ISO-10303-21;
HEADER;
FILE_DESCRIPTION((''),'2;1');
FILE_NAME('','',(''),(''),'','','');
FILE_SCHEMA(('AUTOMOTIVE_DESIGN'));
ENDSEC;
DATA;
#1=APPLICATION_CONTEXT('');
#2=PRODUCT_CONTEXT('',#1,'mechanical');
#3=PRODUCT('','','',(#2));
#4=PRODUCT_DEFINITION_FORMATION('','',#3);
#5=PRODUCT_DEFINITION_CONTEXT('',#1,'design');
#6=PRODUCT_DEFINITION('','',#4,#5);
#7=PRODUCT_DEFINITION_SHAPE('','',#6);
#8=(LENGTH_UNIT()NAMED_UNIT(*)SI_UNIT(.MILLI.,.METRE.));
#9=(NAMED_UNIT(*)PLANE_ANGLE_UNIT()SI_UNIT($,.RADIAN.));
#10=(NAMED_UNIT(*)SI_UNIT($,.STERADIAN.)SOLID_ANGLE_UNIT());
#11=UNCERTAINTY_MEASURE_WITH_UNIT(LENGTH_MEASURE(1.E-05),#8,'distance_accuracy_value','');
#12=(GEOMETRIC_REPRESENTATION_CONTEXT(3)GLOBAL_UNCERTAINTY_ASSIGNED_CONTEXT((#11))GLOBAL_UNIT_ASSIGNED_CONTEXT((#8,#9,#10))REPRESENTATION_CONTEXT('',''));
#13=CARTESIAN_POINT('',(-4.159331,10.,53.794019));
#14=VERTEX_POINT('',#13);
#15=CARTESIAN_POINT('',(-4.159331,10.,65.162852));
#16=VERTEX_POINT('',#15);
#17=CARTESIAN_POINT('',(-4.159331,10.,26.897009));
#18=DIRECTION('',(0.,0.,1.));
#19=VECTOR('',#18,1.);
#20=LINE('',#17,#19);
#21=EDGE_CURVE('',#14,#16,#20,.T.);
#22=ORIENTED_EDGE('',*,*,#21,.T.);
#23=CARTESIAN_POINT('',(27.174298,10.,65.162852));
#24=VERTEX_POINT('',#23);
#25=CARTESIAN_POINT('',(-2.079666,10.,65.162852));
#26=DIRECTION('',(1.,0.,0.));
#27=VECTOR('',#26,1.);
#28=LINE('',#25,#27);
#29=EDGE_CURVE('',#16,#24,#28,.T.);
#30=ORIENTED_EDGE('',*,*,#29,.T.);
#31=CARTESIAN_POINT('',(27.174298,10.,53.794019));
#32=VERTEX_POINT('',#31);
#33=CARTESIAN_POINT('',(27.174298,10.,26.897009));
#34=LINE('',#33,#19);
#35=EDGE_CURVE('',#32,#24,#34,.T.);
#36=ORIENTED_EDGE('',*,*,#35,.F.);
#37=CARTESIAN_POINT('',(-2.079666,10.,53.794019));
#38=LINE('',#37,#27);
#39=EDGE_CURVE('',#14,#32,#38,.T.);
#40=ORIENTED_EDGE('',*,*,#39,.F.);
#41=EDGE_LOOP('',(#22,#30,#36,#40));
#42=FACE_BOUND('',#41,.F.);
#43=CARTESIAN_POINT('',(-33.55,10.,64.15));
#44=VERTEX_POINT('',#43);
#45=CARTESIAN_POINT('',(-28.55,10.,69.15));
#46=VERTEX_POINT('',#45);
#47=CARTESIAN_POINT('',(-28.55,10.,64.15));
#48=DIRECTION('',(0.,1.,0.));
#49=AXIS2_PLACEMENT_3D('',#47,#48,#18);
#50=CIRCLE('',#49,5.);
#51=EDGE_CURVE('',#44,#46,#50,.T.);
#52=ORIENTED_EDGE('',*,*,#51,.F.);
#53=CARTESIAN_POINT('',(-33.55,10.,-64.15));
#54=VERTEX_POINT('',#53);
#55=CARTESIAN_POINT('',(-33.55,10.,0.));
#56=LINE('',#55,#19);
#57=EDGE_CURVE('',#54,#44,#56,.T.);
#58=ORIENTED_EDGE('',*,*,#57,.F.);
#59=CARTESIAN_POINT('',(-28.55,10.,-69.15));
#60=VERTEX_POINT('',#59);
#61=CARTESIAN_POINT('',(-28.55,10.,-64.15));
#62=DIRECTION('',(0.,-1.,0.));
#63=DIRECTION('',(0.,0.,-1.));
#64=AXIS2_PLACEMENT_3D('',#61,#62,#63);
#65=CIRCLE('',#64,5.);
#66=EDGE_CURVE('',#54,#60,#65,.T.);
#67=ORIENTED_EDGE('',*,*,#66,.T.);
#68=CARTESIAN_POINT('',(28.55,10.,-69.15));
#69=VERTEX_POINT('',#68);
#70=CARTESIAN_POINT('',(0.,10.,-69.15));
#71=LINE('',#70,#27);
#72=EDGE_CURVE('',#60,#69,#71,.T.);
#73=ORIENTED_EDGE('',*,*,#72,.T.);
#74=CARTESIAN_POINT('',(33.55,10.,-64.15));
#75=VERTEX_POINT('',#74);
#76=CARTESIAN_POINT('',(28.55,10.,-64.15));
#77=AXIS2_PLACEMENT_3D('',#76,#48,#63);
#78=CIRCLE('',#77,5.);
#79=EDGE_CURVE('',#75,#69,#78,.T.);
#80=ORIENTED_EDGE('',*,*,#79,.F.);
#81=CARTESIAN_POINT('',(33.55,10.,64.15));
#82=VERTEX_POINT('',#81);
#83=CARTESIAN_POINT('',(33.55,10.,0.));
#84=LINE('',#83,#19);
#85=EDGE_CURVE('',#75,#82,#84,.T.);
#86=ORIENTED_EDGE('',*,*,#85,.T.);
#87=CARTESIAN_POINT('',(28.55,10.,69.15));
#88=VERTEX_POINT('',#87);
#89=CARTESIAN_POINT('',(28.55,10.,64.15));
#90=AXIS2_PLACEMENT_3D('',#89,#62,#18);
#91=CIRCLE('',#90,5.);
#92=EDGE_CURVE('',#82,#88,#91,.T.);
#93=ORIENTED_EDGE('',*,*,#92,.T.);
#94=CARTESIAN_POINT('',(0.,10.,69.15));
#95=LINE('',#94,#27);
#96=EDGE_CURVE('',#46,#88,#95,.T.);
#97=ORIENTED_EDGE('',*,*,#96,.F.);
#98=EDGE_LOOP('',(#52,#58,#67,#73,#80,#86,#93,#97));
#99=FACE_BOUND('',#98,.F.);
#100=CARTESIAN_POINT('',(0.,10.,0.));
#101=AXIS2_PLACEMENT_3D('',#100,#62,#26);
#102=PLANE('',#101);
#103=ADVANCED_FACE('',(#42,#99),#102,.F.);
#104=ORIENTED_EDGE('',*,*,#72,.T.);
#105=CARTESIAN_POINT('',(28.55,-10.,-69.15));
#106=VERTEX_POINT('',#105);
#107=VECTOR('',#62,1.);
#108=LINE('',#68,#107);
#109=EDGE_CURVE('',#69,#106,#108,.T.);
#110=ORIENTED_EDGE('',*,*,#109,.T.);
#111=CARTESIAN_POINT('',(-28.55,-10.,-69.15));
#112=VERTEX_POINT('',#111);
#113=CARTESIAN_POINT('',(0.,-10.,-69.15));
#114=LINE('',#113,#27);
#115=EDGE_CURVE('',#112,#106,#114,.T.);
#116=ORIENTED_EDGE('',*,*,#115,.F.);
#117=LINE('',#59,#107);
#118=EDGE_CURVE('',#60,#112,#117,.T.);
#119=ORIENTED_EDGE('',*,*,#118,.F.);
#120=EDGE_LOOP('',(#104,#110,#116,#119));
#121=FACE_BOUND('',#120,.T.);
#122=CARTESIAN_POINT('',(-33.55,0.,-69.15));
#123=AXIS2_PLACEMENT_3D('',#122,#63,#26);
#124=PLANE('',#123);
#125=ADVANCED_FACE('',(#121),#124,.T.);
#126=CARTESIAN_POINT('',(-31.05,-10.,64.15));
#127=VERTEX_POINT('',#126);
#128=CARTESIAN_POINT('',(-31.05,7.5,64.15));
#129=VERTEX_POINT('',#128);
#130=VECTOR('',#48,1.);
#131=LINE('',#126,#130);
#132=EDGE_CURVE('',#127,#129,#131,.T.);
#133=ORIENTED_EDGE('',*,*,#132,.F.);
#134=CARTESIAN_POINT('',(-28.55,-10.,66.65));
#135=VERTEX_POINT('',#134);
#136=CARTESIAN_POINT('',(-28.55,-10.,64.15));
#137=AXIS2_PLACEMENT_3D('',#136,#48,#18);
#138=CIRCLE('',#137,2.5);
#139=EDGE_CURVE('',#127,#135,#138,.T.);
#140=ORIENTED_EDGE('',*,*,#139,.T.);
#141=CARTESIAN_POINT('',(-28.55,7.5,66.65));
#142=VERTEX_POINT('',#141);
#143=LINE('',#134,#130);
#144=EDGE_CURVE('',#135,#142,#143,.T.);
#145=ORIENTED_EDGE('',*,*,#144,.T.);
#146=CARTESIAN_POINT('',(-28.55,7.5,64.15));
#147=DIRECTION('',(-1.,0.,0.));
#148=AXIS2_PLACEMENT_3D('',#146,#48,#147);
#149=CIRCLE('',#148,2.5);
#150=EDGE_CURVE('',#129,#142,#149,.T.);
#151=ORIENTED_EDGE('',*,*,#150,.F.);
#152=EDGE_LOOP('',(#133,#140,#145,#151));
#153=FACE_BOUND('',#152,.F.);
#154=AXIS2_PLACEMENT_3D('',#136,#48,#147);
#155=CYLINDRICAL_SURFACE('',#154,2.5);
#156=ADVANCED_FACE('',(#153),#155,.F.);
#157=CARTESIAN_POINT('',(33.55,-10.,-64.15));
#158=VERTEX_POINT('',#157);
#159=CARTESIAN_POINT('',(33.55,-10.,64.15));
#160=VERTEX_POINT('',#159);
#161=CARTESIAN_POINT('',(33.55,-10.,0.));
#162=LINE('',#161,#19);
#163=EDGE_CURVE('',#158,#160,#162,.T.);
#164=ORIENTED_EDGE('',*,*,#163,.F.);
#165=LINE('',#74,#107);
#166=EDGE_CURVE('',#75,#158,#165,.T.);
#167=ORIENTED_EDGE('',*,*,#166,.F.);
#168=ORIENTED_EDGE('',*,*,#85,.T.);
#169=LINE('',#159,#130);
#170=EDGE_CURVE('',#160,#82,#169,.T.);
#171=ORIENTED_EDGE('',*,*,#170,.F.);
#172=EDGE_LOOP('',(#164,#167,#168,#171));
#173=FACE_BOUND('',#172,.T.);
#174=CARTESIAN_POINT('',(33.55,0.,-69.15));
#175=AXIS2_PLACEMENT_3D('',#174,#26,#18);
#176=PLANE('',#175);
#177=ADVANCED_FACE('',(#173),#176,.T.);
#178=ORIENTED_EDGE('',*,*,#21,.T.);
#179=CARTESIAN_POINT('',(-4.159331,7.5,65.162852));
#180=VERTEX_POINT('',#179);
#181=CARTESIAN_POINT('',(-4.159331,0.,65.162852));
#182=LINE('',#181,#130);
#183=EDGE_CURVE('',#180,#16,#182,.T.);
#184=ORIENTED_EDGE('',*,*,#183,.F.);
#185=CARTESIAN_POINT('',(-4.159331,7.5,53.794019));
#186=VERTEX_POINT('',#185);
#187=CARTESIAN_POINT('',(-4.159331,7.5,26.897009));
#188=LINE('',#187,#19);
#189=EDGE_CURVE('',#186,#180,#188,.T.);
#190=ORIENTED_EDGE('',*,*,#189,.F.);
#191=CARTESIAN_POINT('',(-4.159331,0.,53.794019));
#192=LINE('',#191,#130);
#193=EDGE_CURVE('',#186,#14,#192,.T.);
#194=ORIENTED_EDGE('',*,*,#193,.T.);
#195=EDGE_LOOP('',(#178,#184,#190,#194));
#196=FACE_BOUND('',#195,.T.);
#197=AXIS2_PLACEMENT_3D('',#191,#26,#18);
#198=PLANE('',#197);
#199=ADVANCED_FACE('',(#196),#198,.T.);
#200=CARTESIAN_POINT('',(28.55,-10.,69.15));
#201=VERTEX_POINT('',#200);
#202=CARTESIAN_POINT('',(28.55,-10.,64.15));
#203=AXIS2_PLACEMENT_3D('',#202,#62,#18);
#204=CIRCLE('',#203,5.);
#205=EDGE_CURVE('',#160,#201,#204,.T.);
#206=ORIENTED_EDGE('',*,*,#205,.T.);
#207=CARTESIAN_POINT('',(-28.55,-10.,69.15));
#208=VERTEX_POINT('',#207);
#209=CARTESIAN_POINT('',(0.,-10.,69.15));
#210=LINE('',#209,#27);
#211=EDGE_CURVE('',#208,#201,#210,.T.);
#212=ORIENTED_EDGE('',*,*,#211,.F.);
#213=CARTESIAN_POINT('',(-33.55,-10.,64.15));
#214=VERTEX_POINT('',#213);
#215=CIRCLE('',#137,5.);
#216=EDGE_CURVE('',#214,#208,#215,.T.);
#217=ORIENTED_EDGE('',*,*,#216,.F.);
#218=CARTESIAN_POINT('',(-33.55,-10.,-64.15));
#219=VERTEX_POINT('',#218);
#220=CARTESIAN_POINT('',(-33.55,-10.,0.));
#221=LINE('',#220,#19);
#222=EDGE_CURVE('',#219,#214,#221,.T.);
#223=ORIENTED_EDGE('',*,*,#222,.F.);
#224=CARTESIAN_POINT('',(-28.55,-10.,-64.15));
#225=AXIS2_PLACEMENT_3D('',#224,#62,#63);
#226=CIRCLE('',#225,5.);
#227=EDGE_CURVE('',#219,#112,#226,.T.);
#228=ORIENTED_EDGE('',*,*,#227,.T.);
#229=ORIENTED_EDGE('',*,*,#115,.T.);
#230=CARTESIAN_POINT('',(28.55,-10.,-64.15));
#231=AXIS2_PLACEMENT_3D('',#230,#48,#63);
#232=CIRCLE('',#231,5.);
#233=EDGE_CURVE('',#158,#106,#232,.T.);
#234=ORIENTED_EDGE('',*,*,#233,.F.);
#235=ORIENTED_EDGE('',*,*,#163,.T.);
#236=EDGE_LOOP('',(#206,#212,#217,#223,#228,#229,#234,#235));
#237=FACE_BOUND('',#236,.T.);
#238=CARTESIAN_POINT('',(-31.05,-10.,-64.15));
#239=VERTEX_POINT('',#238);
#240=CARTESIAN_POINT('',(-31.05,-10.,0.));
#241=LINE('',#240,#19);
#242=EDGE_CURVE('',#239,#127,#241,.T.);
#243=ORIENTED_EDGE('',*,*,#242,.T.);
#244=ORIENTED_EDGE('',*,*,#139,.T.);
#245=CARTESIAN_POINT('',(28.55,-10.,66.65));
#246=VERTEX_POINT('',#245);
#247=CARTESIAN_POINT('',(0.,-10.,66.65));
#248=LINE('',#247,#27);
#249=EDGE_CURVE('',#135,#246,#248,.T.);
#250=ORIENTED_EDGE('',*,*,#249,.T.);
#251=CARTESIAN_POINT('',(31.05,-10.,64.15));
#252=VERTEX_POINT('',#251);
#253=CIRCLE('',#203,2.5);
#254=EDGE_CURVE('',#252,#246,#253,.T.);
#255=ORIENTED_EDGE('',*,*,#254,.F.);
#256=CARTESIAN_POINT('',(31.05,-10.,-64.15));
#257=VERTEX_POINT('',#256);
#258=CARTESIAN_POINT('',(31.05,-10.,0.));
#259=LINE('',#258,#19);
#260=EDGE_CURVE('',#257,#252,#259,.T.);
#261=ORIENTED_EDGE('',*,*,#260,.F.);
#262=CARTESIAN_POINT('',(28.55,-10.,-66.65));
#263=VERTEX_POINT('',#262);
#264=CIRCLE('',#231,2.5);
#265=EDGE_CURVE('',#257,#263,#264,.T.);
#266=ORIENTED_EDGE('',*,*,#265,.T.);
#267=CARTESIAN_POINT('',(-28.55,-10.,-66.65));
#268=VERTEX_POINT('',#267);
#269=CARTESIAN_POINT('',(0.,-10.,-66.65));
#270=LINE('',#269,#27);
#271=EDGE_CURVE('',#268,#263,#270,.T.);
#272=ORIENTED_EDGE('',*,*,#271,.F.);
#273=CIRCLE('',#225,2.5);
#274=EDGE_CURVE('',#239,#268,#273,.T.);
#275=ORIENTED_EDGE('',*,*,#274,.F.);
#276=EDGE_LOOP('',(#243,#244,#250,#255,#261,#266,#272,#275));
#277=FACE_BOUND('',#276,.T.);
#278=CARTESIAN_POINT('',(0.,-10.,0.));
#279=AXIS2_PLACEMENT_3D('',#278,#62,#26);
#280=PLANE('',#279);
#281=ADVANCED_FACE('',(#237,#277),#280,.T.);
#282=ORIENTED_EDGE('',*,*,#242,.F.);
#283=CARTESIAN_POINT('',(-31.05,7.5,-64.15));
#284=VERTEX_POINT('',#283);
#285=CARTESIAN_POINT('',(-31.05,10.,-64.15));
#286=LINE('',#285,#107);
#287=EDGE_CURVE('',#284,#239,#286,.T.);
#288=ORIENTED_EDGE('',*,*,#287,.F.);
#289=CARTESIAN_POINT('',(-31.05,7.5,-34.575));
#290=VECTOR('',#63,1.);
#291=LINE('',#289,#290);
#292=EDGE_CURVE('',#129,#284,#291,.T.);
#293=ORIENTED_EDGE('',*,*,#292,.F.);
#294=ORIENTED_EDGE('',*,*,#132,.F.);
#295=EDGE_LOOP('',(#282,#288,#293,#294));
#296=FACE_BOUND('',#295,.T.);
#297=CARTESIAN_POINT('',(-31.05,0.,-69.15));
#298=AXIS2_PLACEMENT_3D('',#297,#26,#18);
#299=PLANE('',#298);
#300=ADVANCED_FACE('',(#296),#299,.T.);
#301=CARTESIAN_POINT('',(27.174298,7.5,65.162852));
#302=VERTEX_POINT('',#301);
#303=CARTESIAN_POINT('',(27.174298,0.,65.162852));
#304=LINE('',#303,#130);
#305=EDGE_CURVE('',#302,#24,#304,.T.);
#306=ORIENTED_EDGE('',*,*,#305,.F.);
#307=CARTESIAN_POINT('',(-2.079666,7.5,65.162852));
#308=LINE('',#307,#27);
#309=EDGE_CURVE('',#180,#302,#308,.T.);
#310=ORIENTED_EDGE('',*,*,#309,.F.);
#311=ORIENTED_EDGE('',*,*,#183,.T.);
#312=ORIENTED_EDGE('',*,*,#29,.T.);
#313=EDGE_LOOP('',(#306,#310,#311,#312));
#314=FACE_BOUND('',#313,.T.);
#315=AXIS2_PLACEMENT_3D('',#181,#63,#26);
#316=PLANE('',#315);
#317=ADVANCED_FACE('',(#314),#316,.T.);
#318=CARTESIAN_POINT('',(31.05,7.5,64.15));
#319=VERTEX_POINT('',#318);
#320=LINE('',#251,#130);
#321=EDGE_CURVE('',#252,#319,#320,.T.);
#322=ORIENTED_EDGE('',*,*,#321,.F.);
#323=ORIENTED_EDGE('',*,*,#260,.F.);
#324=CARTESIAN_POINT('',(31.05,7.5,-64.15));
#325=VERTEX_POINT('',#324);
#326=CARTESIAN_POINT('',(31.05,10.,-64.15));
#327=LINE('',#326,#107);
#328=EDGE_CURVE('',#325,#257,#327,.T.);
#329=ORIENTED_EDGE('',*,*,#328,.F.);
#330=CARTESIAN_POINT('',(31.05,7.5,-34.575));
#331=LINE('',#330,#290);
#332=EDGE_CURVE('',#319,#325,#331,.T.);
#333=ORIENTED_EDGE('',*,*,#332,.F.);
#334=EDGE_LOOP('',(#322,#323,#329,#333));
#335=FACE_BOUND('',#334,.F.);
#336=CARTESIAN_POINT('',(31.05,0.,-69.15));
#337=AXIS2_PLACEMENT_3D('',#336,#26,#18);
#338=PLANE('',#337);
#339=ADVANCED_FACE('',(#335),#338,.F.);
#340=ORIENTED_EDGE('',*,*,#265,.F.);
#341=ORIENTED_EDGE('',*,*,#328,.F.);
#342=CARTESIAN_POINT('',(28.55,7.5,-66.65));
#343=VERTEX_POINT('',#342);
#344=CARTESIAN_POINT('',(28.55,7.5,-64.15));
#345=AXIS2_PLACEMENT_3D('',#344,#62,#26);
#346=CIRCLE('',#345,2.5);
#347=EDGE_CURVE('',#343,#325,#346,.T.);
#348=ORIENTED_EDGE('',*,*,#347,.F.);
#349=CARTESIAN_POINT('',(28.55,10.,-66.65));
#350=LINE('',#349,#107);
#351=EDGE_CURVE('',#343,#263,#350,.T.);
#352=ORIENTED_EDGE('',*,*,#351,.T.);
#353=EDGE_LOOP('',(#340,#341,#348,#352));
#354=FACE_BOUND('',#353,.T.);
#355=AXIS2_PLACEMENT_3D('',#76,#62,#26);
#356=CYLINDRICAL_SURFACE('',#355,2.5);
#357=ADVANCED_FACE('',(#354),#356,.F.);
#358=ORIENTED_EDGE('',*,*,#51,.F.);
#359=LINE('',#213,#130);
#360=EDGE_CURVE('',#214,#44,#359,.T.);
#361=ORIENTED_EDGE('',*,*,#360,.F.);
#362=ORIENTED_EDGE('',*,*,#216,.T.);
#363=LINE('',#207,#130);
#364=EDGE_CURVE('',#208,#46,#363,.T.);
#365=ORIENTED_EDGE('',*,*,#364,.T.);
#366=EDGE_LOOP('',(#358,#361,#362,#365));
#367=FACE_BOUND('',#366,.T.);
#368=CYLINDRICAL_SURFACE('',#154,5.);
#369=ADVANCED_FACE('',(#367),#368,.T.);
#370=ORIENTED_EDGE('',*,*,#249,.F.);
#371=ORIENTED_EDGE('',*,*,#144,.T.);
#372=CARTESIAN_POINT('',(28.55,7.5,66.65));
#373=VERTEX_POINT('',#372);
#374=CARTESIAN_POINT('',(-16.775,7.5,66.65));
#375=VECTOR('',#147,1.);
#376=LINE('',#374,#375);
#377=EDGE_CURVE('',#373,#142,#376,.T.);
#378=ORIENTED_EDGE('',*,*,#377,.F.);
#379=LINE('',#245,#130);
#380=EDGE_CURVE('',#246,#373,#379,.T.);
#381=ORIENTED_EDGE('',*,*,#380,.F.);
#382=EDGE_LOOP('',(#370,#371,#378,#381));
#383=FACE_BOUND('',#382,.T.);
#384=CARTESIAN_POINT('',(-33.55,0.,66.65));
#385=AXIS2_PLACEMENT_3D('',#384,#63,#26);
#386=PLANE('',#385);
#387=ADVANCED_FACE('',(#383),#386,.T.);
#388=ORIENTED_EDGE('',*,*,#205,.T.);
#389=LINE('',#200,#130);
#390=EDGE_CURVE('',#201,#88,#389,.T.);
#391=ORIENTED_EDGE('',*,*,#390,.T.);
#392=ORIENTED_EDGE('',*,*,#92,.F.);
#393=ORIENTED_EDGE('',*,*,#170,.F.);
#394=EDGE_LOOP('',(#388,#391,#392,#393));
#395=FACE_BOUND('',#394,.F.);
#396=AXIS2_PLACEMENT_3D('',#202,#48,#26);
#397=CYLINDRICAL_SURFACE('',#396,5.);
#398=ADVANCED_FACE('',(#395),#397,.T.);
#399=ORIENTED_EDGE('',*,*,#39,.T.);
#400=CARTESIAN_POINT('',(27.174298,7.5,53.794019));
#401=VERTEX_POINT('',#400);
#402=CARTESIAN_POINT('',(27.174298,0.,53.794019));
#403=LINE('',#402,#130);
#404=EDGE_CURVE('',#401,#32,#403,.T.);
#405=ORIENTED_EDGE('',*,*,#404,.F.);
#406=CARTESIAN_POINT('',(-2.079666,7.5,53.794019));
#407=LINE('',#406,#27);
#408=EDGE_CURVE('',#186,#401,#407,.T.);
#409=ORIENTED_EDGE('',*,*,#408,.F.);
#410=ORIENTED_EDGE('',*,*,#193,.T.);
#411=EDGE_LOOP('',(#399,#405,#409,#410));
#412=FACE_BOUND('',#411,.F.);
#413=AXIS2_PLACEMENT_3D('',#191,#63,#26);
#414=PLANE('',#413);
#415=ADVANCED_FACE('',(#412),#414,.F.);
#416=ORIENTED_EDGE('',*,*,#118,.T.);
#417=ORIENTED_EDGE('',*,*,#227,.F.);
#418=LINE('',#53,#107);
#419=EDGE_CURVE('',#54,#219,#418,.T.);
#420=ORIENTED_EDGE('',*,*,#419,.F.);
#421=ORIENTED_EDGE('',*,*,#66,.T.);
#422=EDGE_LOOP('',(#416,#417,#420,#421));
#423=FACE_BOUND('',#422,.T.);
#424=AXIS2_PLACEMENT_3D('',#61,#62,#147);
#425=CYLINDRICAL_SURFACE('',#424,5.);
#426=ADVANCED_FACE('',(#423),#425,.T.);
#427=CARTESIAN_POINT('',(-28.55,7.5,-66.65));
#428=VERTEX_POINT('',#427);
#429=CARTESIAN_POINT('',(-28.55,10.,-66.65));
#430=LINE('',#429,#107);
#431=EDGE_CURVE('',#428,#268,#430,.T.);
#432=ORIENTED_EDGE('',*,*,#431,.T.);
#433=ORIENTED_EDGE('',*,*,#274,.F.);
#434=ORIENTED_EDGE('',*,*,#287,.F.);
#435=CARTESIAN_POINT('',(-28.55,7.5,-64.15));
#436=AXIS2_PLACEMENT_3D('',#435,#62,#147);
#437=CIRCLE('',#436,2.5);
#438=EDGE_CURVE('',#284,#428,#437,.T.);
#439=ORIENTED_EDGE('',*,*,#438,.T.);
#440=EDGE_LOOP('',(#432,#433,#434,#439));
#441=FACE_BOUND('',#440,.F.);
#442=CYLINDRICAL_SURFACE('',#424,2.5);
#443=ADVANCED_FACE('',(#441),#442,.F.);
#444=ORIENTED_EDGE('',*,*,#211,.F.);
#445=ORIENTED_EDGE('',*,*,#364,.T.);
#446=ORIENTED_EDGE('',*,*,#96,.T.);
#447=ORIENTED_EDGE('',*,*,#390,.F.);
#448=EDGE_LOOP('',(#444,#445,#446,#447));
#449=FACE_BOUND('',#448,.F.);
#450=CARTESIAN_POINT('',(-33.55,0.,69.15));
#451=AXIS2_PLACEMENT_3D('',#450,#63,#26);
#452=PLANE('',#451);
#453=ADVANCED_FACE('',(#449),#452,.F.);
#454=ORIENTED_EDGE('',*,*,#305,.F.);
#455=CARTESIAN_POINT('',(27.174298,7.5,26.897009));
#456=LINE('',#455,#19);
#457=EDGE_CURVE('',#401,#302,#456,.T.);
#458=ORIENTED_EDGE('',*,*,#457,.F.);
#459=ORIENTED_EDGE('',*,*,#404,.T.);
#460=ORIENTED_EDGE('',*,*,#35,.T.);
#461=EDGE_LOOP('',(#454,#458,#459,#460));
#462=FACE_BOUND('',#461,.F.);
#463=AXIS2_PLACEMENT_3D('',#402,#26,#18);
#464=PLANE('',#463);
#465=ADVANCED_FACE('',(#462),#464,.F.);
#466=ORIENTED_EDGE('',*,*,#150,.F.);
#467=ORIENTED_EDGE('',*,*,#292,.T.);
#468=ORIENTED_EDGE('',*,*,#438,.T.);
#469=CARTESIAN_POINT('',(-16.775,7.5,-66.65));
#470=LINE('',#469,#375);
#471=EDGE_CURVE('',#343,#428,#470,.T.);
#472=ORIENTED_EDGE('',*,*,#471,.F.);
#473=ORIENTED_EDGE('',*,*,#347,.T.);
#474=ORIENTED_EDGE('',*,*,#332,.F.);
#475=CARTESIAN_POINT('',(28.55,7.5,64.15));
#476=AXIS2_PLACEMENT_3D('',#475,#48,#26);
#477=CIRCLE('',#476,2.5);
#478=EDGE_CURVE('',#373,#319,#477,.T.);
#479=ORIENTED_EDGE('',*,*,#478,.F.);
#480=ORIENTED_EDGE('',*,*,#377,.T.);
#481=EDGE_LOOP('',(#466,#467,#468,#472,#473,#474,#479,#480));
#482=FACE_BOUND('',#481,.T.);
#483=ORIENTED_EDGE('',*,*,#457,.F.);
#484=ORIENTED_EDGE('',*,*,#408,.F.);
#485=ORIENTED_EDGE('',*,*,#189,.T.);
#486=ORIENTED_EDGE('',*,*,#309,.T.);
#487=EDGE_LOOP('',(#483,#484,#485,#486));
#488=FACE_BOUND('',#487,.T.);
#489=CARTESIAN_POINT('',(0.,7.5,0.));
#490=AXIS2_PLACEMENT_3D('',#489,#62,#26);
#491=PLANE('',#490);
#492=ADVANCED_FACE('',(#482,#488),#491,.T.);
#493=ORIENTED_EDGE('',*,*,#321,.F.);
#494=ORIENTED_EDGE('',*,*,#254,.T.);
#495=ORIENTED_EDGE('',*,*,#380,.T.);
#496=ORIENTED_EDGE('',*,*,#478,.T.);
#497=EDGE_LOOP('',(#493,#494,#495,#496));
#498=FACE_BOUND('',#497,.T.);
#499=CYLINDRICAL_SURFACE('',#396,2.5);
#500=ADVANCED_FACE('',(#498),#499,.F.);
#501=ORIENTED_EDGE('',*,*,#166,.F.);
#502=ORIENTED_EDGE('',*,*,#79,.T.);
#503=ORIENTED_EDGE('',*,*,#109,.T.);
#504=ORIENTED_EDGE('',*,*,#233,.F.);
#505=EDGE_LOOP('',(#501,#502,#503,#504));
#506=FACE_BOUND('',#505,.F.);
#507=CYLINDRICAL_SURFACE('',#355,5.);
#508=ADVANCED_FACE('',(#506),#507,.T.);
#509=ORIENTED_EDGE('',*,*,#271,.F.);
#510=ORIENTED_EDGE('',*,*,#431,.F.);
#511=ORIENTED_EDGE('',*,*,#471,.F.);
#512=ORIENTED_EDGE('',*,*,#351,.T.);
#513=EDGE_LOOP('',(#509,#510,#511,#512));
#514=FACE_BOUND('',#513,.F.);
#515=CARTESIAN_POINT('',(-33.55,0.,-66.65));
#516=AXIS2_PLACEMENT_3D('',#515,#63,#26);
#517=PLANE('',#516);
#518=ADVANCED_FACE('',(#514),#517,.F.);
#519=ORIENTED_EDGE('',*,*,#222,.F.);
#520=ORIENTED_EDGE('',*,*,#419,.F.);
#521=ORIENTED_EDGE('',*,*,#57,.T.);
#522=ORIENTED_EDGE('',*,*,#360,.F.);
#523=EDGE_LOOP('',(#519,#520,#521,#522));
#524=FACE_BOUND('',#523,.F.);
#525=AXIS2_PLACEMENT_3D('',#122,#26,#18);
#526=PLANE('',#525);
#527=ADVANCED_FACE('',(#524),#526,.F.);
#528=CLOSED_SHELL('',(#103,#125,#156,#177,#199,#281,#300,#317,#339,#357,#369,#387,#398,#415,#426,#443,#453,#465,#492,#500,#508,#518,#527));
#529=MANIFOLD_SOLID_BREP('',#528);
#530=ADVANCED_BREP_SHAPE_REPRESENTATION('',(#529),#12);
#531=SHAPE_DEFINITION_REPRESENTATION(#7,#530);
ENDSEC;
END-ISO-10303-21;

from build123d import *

# Parameters (mm, degrees)
F0_W     = 67.1
F0_H     = 138.3
F1_DEPTH = 10
F2_R     = 5
F3_T     = -2.5
F4_W     = 31.3336290419
F4_H     = 11.3688334823
F5_DEPTH = 25


with BuildPart() as f1:
    # F0 (on Front) → F1 (new body, symmetric)
    with BuildSketch(Plane.XZ):
        Rectangle(F0_W, F0_H)
    extrude(amount=F1_DEPTH, both=True)

    # F2
    f2_edges = [f1.edges().sort_by_distance(p)[0] for p in [
        (-33.55, 0, 69.15),
        (33.55, 0, 69.15),
        (33.55, 0, -69.15),
        (-33.55, 0, -69.15),
    ]]
    fillet(f2_edges, radius=F2_R)

    # F3
    f3_openings = [f1.faces().sort_by_distance(p)[0] for p in [
        (0, -10, 0),
    ]]
    offset(amount=F3_T, openings=f3_openings)

    # F4 (on Front) → F5 (cut)
    with BuildSketch(Plane.XZ):
        with Locations((11.5074831992, 59.4784356654)):
            Rectangle(F4_W, F4_H)
    extrude(amount=-F5_DEPTH, mode=Mode.SUBTRACT)


solid = f1.part
